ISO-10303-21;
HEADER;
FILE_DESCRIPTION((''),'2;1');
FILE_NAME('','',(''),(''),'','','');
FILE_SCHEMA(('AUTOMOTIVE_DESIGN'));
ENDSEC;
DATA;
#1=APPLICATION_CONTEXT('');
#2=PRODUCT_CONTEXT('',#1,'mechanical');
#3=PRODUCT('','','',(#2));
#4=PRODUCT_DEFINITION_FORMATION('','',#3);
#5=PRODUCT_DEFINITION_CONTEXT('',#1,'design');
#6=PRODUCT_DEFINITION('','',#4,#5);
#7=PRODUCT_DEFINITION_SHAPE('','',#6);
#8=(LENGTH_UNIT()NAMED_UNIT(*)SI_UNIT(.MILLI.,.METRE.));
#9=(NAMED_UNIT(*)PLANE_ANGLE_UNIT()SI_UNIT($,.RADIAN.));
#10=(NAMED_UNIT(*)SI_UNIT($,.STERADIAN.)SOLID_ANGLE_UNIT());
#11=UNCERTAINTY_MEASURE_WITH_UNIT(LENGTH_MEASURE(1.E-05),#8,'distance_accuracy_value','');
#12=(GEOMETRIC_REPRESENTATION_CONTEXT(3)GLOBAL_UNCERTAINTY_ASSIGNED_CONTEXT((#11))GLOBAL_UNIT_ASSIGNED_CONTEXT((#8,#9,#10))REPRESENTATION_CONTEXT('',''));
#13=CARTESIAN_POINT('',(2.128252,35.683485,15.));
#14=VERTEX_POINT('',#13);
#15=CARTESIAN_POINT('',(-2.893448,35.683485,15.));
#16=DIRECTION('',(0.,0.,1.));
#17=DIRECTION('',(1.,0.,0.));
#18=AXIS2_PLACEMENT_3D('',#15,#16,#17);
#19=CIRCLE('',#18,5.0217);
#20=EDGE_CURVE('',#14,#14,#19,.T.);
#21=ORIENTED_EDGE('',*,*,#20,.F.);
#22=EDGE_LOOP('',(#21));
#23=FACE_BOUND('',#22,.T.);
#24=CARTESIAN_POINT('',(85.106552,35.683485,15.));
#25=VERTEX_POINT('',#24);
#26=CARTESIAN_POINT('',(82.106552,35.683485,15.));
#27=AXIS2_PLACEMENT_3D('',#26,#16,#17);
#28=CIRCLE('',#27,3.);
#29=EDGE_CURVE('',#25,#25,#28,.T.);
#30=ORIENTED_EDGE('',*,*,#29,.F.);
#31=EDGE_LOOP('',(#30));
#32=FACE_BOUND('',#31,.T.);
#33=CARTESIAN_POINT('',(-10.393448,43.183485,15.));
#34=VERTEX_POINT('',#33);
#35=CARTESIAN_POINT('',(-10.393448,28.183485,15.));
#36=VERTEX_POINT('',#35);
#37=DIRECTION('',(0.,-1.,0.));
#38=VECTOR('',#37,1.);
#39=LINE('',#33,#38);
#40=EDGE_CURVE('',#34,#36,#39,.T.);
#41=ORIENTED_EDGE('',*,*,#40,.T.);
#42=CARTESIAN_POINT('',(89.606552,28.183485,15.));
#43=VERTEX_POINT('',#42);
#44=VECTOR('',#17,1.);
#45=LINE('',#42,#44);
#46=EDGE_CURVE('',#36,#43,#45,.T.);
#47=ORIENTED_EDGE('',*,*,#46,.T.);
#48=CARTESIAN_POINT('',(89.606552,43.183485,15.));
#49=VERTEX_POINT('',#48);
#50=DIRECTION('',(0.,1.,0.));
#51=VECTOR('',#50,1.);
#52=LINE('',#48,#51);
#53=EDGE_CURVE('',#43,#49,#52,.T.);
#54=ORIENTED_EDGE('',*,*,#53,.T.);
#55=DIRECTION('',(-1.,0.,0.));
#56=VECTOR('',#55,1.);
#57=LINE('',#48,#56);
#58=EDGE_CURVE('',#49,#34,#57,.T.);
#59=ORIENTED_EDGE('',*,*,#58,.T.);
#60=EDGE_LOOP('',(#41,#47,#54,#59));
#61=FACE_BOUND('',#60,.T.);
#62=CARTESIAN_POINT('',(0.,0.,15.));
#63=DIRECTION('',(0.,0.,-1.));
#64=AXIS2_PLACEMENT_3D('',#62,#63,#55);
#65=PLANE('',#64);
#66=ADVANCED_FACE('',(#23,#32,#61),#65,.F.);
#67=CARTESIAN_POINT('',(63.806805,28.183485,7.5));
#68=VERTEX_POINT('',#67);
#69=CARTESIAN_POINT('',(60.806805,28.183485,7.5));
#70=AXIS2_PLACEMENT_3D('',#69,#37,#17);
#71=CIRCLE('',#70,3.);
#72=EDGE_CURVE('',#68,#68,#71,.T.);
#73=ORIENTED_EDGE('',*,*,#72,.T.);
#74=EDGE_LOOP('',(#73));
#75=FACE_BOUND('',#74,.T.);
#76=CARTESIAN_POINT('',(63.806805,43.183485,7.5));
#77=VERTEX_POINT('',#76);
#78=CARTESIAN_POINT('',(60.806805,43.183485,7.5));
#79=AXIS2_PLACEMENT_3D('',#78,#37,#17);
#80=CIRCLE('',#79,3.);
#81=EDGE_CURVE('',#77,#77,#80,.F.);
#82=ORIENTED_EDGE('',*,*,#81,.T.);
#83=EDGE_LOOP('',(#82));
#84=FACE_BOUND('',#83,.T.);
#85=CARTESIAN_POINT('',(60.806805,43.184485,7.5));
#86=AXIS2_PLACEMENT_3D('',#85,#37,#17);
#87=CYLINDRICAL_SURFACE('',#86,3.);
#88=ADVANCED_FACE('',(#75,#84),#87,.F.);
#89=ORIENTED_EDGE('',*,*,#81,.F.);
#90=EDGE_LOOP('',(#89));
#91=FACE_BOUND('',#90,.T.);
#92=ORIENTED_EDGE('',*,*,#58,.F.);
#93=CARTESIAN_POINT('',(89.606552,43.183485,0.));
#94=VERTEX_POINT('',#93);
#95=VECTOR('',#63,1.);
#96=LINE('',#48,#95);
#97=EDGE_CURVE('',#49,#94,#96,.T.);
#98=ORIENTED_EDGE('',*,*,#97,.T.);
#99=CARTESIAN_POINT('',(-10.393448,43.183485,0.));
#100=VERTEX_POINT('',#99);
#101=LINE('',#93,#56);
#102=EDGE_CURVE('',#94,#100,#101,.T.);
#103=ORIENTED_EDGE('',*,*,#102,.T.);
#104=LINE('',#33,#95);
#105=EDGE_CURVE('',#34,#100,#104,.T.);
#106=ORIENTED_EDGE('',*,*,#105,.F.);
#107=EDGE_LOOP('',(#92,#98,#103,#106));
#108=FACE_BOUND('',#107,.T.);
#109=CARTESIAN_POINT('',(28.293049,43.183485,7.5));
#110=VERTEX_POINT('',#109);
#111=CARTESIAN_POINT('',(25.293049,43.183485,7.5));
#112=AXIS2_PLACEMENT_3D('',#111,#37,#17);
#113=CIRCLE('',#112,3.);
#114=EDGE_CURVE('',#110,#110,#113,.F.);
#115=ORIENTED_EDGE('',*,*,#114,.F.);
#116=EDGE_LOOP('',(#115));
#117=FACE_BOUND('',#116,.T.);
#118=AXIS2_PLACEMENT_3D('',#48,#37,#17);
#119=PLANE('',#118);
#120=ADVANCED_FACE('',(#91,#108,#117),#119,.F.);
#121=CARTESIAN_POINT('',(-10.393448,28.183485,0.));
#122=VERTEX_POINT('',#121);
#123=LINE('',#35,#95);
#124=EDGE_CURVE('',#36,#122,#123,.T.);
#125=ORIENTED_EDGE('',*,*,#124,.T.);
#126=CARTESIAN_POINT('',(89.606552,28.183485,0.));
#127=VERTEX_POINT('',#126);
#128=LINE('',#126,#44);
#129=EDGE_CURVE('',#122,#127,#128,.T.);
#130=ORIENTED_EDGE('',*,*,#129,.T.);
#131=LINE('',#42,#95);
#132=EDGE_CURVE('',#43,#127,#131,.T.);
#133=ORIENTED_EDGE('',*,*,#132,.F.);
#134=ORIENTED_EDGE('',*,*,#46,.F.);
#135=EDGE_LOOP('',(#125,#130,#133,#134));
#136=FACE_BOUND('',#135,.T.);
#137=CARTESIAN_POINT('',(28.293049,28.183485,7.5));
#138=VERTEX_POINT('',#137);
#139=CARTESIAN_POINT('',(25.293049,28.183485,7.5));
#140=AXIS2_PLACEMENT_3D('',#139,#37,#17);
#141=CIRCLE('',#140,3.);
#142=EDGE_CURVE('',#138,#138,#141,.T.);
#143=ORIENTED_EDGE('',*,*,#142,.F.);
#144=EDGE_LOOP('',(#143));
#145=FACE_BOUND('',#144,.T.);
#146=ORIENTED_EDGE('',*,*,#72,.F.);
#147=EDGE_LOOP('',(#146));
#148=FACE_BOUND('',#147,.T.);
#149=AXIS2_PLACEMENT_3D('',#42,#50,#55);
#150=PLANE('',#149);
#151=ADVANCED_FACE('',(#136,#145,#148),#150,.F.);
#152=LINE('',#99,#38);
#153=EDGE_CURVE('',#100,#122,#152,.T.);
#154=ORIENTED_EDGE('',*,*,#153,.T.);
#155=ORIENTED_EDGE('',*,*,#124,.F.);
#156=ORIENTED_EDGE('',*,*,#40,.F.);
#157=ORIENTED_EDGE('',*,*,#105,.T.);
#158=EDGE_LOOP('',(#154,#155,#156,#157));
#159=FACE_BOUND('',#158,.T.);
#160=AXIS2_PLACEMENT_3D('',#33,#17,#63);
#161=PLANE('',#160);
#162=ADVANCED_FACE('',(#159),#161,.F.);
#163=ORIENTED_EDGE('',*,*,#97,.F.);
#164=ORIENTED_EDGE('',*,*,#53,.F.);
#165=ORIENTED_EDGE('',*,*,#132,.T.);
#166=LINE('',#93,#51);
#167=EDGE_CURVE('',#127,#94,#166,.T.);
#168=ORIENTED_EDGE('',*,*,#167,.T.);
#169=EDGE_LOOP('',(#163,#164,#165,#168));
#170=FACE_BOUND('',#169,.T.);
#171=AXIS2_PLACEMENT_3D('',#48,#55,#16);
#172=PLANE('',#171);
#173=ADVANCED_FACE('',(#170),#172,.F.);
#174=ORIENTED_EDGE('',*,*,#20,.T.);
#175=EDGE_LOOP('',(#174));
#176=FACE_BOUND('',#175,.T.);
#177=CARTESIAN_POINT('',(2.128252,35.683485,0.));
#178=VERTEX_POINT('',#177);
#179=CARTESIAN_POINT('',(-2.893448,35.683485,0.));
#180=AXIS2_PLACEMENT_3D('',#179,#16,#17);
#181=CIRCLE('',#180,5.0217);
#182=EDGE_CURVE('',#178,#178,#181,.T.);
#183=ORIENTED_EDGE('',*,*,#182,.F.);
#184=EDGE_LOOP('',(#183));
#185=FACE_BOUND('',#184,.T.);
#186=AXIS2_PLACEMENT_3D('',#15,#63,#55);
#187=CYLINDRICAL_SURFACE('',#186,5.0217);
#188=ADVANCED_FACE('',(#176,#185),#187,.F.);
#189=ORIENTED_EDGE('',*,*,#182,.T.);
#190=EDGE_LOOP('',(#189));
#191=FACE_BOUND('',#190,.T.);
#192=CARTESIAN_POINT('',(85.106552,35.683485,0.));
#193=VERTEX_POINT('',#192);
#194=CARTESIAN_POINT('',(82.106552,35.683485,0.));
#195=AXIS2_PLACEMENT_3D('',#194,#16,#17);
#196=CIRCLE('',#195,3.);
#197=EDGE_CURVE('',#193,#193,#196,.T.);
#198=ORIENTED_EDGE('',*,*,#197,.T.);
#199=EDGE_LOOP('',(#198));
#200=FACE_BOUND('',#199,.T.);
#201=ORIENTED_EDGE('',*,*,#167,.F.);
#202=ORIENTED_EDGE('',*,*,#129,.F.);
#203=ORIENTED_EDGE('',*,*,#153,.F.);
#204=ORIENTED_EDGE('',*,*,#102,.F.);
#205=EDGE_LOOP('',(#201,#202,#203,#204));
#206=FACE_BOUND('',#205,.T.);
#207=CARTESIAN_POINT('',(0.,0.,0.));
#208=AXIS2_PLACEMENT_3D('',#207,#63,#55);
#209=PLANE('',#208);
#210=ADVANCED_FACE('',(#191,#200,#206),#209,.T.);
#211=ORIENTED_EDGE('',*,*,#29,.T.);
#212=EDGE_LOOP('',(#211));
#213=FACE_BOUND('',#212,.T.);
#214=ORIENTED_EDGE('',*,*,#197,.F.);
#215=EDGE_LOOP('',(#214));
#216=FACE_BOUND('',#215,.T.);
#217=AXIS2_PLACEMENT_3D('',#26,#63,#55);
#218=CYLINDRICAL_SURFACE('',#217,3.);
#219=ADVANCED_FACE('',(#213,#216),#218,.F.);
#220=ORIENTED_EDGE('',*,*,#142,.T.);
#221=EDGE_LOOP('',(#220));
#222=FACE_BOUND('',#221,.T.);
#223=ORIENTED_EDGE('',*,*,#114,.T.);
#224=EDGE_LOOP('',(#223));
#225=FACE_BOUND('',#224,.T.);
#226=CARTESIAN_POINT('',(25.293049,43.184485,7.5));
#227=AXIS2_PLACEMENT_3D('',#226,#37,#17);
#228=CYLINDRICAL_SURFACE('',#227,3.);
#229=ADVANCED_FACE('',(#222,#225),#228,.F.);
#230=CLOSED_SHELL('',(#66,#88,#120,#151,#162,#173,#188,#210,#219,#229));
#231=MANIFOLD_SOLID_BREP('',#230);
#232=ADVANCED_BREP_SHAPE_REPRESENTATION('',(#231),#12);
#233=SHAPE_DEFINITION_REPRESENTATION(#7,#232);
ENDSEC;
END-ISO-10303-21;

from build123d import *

# Parameters (mm, degrees)
SKETCH_1_W          = 100
SKETCH_1_H          = 15
SKETCH_1_R          = 3
SKETCH_1_R_2        = 5.021699513
EXTRUDE_1_DEPTH     = 15
CUT_EXTRUDE_1_REACH = 94.083
SKETCH_2_R          = 3


with BuildPart() as part:
    # 草圖1 → 填料-伸長1 (new body)
    with BuildSketch(Plane.XY):
        with Locations((39.606552155, 35.683485423)):
            Rectangle(SKETCH_1_W, SKETCH_1_H)
        with Locations((82.106552155, 35.683485423)):
            Circle(SKETCH_1_R, mode=Mode.SUBTRACT)
        with Locations((-2.893447845, 35.683485423)):
            Circle(SKETCH_1_R_2, mode=Mode.SUBTRACT)
    extrude(amount=EXTRUDE_1_DEPTH)

    # 草圖2 → 除料-伸長1 (cut, up to next)
    with BuildSketch(Plane.XZ.offset(-28.183485423), mode=Mode.PRIVATE) as cut_extrude_1_sk1:
        with Locations((60.806805045, 7.5)):
            Circle(SKETCH_2_R)
    cut_extrude_1_tool1 = extrude(cut_extrude_1_sk1.sketch, amount=-CUT_EXTRUDE_1_REACH, mode=Mode.PRIVATE) & part.part
    # 草圖2 → 除料-伸長1 (cut, up to next)
    with BuildSketch(Plane.XZ.offset(-28.183485423), mode=Mode.PRIVATE) as cut_extrude_1_sk2:
        with Locations((25.293048558, 7.5)):
            Circle(SKETCH_2_R)
    cut_extrude_1_tool2 = extrude(cut_extrude_1_sk2.sketch, amount=-CUT_EXTRUDE_1_REACH, mode=Mode.PRIVATE) & part.part
    add(cut_extrude_1_tool1.solids().sort_by_distance((60.806805, 28.183485, 7.5))[0], mode=Mode.SUBTRACT)
    add(cut_extrude_1_tool2.solids().sort_by_distance((25.293049, 28.183485, 7.5))[0], mode=Mode.SUBTRACT)


solid = part.part
